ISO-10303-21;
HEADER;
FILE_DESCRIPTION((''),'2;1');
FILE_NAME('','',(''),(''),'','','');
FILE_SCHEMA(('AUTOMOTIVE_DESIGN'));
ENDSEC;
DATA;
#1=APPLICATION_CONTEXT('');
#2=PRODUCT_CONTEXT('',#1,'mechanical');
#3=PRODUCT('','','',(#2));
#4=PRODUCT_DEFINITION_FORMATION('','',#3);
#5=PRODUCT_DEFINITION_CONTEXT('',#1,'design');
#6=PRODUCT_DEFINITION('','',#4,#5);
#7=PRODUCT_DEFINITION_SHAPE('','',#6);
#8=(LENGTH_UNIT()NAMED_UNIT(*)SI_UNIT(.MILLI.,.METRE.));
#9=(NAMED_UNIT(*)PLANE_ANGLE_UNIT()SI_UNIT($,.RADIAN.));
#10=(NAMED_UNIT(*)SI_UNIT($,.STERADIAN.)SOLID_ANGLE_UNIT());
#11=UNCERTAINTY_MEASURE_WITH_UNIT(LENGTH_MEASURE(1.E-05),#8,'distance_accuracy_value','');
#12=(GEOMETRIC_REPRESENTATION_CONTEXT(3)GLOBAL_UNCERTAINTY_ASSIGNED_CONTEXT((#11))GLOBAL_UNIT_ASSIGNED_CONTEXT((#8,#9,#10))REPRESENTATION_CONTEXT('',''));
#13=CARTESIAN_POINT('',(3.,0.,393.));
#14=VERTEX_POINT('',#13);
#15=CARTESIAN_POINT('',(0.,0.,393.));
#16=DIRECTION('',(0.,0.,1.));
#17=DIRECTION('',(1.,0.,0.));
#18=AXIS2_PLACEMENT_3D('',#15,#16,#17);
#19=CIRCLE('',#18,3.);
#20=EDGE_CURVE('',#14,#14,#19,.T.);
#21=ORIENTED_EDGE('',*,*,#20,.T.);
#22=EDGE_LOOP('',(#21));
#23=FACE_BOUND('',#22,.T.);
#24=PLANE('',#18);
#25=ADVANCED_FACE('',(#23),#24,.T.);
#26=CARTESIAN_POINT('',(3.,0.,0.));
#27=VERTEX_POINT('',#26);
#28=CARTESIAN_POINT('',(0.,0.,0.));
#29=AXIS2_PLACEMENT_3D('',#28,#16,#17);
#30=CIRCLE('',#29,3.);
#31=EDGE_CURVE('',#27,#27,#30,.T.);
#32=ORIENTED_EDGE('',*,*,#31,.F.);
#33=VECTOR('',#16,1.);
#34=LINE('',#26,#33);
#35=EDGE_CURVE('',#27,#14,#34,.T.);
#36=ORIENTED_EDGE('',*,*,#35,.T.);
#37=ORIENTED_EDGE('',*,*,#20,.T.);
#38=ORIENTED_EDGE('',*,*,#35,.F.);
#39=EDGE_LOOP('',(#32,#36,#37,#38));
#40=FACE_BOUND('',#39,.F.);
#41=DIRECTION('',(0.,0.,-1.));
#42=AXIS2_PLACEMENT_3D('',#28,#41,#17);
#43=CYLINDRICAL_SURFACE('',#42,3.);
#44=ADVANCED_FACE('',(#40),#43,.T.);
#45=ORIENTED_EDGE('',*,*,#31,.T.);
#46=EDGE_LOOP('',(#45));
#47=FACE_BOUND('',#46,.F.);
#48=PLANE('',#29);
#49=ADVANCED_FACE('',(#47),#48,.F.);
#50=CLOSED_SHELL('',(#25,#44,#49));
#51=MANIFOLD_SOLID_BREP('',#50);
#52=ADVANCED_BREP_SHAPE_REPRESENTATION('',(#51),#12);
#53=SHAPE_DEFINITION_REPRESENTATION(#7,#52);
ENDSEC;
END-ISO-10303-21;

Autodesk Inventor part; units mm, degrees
ref_plane "YZ Plane" through (0, 0, 0) normal (1, 0, 0) x (0, 1, 0)
ref_plane "XZ Plane" through (0, 0, 0) normal (0, 1, 0) x (-1, 0, 0)
ref_plane "XY Plane" through (0, 0, 0) normal (0, 0, 1) x (1, 0, 0)
sketch "Sketch1" plane through (0, 0, 0) normal (0, 1, 0) x (-1, 0, 0)
  point P0 (0, 0)
sketch "Sketch2" plane through (0, 0, 0) normal (0, 0, 1) x (1, 0, 0)
  circle A0 centre (0, 0) radius 3
  dimension "d0" = 6
extrude "Extrusion1" add sketch "Sketch2" along normal blind 393
thread "Thread1" size "M6x1" class "6g" standard "ANSI Metric M Profile" full length
properties part number "gevindstang" material "Steel"
